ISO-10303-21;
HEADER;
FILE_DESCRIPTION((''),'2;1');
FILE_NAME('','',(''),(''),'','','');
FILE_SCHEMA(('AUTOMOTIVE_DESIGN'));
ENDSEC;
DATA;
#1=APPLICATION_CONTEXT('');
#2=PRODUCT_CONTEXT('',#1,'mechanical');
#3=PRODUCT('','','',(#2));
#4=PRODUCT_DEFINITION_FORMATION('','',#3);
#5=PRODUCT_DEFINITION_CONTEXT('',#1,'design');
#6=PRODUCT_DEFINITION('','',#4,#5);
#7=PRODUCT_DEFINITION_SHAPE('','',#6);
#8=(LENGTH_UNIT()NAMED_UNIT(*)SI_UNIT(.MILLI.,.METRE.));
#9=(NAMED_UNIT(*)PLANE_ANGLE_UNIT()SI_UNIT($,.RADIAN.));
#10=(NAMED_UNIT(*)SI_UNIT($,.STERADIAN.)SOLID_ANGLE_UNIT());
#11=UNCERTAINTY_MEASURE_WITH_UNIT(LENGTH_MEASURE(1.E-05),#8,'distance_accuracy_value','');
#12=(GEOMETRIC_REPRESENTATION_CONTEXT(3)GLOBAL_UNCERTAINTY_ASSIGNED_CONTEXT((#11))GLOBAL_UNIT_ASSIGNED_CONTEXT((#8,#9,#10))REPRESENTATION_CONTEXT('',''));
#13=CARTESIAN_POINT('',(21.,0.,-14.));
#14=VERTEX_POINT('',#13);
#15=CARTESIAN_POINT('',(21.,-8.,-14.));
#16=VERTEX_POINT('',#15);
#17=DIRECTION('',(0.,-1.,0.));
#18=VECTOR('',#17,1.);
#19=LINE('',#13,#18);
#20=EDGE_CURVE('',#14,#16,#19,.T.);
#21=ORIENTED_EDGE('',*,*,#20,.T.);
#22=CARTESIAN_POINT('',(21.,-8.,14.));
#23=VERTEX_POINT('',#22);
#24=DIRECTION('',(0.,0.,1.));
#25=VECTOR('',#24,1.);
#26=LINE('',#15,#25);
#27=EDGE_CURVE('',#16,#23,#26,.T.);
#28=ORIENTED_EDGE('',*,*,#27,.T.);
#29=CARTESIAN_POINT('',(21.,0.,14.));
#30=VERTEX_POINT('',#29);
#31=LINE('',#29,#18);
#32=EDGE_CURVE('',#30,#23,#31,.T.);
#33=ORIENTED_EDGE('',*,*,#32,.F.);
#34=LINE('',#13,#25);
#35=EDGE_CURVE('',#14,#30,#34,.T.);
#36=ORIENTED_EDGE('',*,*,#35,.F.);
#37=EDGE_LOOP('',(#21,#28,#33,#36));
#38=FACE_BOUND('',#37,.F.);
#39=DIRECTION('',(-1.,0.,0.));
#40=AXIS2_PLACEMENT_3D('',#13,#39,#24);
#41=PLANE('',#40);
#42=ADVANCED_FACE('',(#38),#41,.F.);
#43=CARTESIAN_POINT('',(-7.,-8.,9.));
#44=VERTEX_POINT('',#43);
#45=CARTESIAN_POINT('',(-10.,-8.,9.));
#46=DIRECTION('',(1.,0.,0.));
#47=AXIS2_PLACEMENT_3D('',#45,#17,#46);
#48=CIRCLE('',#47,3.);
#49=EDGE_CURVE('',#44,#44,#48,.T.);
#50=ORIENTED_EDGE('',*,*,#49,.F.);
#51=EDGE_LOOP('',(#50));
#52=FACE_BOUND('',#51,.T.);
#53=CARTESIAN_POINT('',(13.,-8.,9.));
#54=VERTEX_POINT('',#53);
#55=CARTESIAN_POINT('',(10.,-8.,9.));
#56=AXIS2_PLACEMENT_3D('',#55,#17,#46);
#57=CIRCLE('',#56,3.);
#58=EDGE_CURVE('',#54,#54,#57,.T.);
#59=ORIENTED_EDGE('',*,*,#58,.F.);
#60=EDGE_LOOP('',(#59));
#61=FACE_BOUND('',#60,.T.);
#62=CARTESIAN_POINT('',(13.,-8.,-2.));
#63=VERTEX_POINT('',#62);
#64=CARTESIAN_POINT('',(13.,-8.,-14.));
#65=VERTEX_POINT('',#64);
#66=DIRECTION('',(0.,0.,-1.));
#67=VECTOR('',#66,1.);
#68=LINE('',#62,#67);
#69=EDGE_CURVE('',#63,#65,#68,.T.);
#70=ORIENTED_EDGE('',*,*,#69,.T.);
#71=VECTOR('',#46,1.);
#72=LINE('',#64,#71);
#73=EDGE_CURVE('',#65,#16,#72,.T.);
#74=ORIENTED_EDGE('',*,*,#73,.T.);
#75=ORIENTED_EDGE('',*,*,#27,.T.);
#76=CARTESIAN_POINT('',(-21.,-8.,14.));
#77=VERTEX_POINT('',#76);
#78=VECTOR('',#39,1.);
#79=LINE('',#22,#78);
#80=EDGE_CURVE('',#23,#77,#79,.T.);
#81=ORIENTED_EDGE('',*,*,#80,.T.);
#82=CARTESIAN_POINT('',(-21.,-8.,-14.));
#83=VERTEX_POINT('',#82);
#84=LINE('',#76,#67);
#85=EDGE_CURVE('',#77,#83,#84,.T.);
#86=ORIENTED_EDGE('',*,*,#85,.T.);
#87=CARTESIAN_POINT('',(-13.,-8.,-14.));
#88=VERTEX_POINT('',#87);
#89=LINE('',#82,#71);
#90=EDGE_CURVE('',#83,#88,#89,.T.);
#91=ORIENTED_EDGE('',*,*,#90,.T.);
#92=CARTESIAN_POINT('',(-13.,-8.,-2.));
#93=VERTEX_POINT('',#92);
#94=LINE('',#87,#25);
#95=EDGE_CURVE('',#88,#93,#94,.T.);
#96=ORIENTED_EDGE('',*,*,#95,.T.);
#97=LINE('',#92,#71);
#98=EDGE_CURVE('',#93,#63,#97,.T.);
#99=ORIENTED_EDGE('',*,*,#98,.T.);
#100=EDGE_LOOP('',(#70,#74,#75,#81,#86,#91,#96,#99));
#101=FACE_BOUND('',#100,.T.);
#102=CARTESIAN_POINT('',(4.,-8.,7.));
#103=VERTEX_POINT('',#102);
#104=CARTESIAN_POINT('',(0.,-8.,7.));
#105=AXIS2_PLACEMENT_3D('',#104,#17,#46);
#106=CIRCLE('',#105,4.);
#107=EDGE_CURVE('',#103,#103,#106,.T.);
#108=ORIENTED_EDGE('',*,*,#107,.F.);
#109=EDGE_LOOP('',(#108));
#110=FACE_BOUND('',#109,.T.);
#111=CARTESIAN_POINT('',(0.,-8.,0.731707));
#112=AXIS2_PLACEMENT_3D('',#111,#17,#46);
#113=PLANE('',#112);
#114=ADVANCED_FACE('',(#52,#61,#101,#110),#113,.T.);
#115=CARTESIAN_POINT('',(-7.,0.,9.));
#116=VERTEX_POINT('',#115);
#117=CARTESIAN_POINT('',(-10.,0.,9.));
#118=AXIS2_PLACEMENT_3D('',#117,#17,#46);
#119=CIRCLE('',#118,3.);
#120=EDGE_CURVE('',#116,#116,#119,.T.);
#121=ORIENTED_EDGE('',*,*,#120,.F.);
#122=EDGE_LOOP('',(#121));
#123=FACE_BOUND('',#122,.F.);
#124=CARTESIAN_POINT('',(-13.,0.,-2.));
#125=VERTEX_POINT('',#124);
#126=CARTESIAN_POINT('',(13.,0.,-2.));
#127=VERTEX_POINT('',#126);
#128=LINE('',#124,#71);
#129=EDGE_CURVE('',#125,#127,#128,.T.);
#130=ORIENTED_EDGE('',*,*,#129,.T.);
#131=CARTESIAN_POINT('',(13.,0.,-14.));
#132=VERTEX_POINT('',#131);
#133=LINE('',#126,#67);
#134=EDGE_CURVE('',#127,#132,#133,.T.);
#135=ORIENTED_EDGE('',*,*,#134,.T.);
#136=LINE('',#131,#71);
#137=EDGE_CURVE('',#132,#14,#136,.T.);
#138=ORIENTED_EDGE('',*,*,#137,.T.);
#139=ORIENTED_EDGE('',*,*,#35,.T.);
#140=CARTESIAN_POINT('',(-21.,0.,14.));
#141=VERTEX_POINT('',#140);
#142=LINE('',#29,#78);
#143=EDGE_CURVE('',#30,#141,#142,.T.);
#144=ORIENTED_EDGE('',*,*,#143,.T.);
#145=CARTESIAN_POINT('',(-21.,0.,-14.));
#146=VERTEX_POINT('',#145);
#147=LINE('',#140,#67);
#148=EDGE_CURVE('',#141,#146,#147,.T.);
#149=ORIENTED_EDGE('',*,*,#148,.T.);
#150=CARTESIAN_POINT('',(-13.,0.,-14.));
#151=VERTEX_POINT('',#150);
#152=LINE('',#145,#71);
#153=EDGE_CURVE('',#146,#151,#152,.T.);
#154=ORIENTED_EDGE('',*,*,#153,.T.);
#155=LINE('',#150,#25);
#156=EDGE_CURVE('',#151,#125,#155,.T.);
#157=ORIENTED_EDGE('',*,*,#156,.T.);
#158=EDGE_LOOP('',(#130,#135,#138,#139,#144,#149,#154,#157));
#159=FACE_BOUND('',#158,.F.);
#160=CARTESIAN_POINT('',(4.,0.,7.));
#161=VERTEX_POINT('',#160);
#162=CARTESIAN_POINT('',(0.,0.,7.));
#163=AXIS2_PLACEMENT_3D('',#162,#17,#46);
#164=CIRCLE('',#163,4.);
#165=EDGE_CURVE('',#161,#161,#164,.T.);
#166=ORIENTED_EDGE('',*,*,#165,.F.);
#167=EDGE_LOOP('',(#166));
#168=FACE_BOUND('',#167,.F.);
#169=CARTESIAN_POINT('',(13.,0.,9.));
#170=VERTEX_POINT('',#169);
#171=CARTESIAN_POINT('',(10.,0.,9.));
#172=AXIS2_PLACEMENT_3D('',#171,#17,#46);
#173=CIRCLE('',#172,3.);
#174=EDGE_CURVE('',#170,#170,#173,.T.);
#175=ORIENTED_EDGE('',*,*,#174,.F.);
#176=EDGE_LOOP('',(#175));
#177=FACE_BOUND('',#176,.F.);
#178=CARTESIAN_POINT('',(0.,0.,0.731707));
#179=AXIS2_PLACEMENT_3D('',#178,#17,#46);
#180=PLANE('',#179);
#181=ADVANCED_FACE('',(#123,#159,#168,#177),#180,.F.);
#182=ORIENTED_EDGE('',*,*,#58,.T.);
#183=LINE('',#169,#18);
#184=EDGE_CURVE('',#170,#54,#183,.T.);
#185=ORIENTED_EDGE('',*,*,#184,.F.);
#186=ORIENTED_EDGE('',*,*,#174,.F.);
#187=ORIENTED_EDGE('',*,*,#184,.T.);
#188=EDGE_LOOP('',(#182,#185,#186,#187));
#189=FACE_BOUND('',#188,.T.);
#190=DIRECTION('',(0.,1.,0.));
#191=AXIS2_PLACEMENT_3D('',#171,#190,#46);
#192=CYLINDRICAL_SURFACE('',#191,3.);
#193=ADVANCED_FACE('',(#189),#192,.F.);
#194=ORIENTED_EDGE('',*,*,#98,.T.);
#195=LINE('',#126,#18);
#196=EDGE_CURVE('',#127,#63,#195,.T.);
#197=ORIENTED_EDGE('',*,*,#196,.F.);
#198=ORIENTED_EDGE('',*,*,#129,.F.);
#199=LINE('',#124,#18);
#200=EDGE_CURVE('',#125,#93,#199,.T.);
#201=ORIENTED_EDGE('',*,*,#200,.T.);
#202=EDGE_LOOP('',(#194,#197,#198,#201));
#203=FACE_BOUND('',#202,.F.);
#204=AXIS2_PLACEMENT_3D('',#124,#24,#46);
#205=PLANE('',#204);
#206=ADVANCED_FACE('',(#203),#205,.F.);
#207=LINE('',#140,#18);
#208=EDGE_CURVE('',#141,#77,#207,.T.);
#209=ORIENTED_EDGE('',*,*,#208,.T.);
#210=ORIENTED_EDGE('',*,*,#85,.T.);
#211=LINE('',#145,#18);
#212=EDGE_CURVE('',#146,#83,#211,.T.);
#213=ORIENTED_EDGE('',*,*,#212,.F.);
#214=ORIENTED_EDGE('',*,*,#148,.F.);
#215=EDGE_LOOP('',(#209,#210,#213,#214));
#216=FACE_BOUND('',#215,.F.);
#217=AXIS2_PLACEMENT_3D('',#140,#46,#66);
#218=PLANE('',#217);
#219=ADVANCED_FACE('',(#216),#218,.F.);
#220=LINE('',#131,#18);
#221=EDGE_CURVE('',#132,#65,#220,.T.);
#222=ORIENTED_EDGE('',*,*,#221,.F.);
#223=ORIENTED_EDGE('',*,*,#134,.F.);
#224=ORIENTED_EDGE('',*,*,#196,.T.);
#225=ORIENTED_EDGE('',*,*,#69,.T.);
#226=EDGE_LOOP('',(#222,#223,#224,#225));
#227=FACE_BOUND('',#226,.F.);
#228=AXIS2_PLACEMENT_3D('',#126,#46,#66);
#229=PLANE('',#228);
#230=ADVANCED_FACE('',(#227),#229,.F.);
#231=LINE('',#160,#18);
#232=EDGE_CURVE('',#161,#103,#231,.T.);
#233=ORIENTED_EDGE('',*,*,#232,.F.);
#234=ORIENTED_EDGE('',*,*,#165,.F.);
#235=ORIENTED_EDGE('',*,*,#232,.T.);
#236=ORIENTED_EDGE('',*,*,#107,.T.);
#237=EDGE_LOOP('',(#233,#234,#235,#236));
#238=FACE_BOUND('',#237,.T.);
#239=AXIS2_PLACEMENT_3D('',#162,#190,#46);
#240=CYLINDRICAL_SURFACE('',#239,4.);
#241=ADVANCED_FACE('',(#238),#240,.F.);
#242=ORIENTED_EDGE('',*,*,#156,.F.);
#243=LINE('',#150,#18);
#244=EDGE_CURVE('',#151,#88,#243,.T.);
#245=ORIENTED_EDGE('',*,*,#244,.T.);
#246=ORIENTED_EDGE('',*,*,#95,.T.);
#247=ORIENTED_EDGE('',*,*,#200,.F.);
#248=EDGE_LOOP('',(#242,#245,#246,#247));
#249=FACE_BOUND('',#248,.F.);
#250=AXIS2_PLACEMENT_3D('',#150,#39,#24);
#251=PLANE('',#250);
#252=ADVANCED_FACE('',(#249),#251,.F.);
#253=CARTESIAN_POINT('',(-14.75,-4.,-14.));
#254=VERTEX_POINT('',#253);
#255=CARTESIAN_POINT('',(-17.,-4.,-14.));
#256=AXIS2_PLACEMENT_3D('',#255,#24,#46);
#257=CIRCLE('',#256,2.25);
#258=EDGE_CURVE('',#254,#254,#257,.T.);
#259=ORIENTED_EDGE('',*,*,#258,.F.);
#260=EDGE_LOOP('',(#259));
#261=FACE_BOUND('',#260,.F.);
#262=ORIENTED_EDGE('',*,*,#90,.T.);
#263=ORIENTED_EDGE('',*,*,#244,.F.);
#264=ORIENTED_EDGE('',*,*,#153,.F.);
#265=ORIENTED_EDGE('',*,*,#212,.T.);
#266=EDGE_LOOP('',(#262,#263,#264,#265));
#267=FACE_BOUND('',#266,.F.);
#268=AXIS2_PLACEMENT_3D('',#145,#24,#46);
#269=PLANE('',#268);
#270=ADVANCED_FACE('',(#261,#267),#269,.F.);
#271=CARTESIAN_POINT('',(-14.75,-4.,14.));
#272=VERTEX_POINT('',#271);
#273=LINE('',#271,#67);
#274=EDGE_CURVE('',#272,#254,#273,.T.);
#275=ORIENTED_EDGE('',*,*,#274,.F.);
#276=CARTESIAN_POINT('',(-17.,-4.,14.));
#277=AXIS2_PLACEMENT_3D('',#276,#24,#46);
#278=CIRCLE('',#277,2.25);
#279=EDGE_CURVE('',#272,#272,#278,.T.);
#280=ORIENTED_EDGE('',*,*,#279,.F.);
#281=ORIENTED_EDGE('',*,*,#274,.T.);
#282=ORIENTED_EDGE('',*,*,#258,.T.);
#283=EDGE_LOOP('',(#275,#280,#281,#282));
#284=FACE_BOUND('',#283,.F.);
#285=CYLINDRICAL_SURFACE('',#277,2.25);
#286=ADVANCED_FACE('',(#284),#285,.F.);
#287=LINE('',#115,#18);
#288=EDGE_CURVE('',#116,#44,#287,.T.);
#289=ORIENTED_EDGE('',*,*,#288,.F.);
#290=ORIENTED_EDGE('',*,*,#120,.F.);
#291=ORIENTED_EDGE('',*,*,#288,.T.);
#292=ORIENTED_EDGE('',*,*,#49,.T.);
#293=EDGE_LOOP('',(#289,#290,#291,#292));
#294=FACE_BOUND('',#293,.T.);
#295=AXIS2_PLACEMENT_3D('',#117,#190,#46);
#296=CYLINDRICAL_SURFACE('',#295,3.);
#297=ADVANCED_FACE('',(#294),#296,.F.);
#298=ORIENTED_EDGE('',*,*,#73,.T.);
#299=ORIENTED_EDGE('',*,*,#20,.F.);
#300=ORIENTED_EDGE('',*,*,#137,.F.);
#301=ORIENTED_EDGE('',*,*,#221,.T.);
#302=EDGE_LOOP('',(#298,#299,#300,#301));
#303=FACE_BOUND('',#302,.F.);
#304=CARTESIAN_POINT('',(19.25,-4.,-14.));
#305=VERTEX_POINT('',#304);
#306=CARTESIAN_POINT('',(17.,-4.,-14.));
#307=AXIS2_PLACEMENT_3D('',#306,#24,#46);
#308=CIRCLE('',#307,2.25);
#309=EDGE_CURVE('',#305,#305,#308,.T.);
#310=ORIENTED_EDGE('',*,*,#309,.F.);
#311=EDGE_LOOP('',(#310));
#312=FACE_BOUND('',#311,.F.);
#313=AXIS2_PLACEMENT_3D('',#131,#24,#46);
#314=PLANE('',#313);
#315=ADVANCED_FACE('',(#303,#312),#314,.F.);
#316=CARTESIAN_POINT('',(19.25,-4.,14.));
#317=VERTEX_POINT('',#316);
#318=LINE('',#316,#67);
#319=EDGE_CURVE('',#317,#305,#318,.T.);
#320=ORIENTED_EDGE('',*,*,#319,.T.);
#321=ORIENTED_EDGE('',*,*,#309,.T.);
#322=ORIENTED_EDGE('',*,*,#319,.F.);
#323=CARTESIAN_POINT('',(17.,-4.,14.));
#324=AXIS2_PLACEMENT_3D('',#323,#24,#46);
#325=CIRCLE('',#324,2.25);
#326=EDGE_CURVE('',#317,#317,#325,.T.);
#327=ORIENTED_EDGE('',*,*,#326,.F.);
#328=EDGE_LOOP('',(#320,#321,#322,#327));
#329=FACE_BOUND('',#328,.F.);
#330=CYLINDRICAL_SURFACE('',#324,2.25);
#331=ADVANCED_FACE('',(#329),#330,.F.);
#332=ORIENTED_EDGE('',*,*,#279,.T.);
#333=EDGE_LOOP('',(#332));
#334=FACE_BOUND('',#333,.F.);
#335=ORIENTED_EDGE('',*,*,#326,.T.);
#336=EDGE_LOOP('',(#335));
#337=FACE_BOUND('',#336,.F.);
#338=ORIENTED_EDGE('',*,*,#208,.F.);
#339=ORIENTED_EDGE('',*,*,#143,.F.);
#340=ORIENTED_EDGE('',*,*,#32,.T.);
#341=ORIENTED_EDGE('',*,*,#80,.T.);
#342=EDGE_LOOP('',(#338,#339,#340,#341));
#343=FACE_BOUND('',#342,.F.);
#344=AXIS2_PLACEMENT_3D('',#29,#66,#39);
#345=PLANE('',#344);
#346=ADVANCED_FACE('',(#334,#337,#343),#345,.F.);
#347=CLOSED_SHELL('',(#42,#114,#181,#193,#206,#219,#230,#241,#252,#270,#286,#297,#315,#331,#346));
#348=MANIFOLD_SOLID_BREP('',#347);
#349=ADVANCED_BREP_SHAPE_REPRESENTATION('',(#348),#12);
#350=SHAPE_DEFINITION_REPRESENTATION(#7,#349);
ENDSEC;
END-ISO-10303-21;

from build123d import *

# Parameters (mm, degrees)
F0_R     = 3
F0_R_2   = 4
F1_DEPTH = 8
F2_R     = 2.25
F3_DEPTH = 28.001


with BuildPart() as f1:
    # F0 (on Front) → F1 (new body)
    with BuildSketch(Plane.XZ):
        Polygon((21, 14), (-21, 14), (-21, -14), (-13, -14), (-13, -2), (13, -2), (13, -14), (21, -14), align=None)
        with Locations((-10, 9)):
            Circle(F0_R, mode=Mode.SUBTRACT)
        with Locations((0, 7)):
            Circle(F0_R_2, mode=Mode.SUBTRACT)
        with Locations((10, 9)):
            Circle(F0_R, mode=Mode.SUBTRACT)
    extrude(amount=F1_DEPTH)

    # F2 (on face) → F3 (cut, through all)
    with BuildSketch(Plane.XY.offset(14)):
        with Locations((-17, -4)):
            Circle(F2_R)
        with Locations((17, -4)):
            Circle(F2_R)
    extrude(amount=-F3_DEPTH, mode=Mode.SUBTRACT)


solid = f1.part
